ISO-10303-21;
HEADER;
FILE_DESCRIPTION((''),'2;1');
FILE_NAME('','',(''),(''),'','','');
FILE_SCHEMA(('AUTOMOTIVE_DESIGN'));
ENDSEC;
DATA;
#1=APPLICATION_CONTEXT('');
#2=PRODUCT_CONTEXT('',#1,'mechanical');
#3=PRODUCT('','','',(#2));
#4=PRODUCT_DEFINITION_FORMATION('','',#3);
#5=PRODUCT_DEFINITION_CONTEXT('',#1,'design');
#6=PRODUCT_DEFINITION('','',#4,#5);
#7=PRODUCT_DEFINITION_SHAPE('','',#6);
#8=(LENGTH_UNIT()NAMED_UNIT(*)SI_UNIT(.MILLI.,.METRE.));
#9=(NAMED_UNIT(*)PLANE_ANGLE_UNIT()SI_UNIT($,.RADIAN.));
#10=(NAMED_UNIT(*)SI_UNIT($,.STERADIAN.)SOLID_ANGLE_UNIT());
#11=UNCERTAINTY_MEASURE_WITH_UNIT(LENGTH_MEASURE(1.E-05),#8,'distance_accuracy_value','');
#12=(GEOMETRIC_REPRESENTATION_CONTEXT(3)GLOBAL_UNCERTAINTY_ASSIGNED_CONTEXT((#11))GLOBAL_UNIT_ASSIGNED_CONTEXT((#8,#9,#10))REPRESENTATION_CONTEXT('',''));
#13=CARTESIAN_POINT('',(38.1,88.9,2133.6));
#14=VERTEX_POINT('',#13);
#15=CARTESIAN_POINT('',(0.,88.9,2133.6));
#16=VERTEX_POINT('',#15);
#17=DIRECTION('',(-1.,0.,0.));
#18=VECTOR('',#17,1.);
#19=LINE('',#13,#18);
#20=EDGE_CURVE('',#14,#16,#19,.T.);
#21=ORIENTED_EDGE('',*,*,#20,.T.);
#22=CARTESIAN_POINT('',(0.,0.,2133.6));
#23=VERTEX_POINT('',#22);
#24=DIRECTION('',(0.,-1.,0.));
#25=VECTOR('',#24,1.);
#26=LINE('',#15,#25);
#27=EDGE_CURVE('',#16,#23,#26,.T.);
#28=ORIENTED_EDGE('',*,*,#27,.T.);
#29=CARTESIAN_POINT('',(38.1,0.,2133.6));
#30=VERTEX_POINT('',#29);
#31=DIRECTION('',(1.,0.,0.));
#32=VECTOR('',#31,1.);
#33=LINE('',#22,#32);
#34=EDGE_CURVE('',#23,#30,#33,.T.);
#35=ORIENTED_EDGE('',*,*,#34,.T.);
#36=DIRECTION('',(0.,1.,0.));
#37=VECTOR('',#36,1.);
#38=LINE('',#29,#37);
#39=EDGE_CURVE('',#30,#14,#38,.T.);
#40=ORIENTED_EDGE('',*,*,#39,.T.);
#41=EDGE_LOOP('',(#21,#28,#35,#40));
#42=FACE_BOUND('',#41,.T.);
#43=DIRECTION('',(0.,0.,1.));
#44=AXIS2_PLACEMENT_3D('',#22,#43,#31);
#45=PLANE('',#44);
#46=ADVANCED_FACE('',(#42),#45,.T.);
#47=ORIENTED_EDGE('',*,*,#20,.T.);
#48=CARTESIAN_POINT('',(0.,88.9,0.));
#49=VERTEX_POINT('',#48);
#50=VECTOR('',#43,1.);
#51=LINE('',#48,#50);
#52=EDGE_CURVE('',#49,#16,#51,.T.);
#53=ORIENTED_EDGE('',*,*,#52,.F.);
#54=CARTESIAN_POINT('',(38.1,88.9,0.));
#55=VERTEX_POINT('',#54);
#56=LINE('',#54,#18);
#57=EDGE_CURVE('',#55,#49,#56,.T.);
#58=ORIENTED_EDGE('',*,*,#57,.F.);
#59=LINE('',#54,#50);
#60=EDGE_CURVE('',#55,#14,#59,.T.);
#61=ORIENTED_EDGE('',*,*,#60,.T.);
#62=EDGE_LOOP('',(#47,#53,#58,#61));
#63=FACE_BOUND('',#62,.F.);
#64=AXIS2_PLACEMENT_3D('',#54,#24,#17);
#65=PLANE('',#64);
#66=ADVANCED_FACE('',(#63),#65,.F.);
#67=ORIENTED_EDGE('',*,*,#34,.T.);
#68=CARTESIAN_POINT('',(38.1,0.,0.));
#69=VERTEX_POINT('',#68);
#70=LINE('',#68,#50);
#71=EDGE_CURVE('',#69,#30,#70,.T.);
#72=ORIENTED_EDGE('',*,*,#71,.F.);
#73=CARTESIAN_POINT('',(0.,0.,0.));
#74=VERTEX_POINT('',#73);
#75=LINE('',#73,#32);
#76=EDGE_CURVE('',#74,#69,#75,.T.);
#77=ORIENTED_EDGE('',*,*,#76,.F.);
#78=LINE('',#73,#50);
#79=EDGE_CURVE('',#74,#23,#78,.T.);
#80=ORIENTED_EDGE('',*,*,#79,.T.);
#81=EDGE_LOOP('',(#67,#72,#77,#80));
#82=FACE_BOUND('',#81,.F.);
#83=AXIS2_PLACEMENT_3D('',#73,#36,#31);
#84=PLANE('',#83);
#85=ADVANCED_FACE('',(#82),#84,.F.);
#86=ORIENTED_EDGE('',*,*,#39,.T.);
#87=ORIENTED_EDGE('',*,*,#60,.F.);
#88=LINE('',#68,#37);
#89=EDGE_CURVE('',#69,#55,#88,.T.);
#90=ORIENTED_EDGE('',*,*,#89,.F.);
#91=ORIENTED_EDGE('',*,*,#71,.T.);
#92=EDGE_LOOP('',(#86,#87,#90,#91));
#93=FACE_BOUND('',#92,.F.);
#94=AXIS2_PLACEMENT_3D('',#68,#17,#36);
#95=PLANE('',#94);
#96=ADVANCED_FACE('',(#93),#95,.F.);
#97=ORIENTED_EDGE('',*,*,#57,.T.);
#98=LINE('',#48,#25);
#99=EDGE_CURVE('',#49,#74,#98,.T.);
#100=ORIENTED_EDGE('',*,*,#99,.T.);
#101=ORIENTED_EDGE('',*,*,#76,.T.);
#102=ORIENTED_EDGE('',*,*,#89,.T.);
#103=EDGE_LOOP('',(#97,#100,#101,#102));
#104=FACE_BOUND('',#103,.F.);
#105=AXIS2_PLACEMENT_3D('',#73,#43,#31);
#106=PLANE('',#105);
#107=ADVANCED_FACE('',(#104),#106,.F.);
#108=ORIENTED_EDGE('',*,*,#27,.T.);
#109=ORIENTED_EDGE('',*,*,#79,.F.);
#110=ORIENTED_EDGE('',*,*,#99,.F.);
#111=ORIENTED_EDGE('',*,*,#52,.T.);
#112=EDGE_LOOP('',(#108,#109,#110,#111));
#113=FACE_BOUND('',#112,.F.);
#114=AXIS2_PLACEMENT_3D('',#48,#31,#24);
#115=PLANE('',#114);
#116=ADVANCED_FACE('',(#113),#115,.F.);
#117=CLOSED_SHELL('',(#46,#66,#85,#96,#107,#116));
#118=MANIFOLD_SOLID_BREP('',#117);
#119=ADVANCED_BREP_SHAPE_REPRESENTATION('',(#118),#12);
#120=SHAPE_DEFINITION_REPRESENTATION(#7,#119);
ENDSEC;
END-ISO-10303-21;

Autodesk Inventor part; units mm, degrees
ref_plane "YZ Plane" through (0, 0, 0) normal (1, 0, 0) x (0, 1, 0)
ref_plane "XZ Plane" through (0, 0, 0) normal (0, 1, 0) x (-1, 0, 0)
ref_plane "XY Plane" through (0, 0, 0) normal (0, 0, 1) x (1, 0, 0)
sketch "Sketch2" plane through (0, 0, 0) normal (0, 0, 1) x (1, 0, 0)
  line L0 (0, 0) -> (38.1, 0)
  line L1 (38.1, 0) -> (38.1, 88.9)
  line L2 (38.1, 88.9) -> (0, 88.9)
  line L3 (0, 88.9) -> (0, 0)
  dimension "d0" = 38.1
  dimension "d1" = 88.9
extrude "Extrusion1" add sketch "Sketch2" along normal blind 2133.6
properties part number "H7bl" material "Wood (Cherry)"
